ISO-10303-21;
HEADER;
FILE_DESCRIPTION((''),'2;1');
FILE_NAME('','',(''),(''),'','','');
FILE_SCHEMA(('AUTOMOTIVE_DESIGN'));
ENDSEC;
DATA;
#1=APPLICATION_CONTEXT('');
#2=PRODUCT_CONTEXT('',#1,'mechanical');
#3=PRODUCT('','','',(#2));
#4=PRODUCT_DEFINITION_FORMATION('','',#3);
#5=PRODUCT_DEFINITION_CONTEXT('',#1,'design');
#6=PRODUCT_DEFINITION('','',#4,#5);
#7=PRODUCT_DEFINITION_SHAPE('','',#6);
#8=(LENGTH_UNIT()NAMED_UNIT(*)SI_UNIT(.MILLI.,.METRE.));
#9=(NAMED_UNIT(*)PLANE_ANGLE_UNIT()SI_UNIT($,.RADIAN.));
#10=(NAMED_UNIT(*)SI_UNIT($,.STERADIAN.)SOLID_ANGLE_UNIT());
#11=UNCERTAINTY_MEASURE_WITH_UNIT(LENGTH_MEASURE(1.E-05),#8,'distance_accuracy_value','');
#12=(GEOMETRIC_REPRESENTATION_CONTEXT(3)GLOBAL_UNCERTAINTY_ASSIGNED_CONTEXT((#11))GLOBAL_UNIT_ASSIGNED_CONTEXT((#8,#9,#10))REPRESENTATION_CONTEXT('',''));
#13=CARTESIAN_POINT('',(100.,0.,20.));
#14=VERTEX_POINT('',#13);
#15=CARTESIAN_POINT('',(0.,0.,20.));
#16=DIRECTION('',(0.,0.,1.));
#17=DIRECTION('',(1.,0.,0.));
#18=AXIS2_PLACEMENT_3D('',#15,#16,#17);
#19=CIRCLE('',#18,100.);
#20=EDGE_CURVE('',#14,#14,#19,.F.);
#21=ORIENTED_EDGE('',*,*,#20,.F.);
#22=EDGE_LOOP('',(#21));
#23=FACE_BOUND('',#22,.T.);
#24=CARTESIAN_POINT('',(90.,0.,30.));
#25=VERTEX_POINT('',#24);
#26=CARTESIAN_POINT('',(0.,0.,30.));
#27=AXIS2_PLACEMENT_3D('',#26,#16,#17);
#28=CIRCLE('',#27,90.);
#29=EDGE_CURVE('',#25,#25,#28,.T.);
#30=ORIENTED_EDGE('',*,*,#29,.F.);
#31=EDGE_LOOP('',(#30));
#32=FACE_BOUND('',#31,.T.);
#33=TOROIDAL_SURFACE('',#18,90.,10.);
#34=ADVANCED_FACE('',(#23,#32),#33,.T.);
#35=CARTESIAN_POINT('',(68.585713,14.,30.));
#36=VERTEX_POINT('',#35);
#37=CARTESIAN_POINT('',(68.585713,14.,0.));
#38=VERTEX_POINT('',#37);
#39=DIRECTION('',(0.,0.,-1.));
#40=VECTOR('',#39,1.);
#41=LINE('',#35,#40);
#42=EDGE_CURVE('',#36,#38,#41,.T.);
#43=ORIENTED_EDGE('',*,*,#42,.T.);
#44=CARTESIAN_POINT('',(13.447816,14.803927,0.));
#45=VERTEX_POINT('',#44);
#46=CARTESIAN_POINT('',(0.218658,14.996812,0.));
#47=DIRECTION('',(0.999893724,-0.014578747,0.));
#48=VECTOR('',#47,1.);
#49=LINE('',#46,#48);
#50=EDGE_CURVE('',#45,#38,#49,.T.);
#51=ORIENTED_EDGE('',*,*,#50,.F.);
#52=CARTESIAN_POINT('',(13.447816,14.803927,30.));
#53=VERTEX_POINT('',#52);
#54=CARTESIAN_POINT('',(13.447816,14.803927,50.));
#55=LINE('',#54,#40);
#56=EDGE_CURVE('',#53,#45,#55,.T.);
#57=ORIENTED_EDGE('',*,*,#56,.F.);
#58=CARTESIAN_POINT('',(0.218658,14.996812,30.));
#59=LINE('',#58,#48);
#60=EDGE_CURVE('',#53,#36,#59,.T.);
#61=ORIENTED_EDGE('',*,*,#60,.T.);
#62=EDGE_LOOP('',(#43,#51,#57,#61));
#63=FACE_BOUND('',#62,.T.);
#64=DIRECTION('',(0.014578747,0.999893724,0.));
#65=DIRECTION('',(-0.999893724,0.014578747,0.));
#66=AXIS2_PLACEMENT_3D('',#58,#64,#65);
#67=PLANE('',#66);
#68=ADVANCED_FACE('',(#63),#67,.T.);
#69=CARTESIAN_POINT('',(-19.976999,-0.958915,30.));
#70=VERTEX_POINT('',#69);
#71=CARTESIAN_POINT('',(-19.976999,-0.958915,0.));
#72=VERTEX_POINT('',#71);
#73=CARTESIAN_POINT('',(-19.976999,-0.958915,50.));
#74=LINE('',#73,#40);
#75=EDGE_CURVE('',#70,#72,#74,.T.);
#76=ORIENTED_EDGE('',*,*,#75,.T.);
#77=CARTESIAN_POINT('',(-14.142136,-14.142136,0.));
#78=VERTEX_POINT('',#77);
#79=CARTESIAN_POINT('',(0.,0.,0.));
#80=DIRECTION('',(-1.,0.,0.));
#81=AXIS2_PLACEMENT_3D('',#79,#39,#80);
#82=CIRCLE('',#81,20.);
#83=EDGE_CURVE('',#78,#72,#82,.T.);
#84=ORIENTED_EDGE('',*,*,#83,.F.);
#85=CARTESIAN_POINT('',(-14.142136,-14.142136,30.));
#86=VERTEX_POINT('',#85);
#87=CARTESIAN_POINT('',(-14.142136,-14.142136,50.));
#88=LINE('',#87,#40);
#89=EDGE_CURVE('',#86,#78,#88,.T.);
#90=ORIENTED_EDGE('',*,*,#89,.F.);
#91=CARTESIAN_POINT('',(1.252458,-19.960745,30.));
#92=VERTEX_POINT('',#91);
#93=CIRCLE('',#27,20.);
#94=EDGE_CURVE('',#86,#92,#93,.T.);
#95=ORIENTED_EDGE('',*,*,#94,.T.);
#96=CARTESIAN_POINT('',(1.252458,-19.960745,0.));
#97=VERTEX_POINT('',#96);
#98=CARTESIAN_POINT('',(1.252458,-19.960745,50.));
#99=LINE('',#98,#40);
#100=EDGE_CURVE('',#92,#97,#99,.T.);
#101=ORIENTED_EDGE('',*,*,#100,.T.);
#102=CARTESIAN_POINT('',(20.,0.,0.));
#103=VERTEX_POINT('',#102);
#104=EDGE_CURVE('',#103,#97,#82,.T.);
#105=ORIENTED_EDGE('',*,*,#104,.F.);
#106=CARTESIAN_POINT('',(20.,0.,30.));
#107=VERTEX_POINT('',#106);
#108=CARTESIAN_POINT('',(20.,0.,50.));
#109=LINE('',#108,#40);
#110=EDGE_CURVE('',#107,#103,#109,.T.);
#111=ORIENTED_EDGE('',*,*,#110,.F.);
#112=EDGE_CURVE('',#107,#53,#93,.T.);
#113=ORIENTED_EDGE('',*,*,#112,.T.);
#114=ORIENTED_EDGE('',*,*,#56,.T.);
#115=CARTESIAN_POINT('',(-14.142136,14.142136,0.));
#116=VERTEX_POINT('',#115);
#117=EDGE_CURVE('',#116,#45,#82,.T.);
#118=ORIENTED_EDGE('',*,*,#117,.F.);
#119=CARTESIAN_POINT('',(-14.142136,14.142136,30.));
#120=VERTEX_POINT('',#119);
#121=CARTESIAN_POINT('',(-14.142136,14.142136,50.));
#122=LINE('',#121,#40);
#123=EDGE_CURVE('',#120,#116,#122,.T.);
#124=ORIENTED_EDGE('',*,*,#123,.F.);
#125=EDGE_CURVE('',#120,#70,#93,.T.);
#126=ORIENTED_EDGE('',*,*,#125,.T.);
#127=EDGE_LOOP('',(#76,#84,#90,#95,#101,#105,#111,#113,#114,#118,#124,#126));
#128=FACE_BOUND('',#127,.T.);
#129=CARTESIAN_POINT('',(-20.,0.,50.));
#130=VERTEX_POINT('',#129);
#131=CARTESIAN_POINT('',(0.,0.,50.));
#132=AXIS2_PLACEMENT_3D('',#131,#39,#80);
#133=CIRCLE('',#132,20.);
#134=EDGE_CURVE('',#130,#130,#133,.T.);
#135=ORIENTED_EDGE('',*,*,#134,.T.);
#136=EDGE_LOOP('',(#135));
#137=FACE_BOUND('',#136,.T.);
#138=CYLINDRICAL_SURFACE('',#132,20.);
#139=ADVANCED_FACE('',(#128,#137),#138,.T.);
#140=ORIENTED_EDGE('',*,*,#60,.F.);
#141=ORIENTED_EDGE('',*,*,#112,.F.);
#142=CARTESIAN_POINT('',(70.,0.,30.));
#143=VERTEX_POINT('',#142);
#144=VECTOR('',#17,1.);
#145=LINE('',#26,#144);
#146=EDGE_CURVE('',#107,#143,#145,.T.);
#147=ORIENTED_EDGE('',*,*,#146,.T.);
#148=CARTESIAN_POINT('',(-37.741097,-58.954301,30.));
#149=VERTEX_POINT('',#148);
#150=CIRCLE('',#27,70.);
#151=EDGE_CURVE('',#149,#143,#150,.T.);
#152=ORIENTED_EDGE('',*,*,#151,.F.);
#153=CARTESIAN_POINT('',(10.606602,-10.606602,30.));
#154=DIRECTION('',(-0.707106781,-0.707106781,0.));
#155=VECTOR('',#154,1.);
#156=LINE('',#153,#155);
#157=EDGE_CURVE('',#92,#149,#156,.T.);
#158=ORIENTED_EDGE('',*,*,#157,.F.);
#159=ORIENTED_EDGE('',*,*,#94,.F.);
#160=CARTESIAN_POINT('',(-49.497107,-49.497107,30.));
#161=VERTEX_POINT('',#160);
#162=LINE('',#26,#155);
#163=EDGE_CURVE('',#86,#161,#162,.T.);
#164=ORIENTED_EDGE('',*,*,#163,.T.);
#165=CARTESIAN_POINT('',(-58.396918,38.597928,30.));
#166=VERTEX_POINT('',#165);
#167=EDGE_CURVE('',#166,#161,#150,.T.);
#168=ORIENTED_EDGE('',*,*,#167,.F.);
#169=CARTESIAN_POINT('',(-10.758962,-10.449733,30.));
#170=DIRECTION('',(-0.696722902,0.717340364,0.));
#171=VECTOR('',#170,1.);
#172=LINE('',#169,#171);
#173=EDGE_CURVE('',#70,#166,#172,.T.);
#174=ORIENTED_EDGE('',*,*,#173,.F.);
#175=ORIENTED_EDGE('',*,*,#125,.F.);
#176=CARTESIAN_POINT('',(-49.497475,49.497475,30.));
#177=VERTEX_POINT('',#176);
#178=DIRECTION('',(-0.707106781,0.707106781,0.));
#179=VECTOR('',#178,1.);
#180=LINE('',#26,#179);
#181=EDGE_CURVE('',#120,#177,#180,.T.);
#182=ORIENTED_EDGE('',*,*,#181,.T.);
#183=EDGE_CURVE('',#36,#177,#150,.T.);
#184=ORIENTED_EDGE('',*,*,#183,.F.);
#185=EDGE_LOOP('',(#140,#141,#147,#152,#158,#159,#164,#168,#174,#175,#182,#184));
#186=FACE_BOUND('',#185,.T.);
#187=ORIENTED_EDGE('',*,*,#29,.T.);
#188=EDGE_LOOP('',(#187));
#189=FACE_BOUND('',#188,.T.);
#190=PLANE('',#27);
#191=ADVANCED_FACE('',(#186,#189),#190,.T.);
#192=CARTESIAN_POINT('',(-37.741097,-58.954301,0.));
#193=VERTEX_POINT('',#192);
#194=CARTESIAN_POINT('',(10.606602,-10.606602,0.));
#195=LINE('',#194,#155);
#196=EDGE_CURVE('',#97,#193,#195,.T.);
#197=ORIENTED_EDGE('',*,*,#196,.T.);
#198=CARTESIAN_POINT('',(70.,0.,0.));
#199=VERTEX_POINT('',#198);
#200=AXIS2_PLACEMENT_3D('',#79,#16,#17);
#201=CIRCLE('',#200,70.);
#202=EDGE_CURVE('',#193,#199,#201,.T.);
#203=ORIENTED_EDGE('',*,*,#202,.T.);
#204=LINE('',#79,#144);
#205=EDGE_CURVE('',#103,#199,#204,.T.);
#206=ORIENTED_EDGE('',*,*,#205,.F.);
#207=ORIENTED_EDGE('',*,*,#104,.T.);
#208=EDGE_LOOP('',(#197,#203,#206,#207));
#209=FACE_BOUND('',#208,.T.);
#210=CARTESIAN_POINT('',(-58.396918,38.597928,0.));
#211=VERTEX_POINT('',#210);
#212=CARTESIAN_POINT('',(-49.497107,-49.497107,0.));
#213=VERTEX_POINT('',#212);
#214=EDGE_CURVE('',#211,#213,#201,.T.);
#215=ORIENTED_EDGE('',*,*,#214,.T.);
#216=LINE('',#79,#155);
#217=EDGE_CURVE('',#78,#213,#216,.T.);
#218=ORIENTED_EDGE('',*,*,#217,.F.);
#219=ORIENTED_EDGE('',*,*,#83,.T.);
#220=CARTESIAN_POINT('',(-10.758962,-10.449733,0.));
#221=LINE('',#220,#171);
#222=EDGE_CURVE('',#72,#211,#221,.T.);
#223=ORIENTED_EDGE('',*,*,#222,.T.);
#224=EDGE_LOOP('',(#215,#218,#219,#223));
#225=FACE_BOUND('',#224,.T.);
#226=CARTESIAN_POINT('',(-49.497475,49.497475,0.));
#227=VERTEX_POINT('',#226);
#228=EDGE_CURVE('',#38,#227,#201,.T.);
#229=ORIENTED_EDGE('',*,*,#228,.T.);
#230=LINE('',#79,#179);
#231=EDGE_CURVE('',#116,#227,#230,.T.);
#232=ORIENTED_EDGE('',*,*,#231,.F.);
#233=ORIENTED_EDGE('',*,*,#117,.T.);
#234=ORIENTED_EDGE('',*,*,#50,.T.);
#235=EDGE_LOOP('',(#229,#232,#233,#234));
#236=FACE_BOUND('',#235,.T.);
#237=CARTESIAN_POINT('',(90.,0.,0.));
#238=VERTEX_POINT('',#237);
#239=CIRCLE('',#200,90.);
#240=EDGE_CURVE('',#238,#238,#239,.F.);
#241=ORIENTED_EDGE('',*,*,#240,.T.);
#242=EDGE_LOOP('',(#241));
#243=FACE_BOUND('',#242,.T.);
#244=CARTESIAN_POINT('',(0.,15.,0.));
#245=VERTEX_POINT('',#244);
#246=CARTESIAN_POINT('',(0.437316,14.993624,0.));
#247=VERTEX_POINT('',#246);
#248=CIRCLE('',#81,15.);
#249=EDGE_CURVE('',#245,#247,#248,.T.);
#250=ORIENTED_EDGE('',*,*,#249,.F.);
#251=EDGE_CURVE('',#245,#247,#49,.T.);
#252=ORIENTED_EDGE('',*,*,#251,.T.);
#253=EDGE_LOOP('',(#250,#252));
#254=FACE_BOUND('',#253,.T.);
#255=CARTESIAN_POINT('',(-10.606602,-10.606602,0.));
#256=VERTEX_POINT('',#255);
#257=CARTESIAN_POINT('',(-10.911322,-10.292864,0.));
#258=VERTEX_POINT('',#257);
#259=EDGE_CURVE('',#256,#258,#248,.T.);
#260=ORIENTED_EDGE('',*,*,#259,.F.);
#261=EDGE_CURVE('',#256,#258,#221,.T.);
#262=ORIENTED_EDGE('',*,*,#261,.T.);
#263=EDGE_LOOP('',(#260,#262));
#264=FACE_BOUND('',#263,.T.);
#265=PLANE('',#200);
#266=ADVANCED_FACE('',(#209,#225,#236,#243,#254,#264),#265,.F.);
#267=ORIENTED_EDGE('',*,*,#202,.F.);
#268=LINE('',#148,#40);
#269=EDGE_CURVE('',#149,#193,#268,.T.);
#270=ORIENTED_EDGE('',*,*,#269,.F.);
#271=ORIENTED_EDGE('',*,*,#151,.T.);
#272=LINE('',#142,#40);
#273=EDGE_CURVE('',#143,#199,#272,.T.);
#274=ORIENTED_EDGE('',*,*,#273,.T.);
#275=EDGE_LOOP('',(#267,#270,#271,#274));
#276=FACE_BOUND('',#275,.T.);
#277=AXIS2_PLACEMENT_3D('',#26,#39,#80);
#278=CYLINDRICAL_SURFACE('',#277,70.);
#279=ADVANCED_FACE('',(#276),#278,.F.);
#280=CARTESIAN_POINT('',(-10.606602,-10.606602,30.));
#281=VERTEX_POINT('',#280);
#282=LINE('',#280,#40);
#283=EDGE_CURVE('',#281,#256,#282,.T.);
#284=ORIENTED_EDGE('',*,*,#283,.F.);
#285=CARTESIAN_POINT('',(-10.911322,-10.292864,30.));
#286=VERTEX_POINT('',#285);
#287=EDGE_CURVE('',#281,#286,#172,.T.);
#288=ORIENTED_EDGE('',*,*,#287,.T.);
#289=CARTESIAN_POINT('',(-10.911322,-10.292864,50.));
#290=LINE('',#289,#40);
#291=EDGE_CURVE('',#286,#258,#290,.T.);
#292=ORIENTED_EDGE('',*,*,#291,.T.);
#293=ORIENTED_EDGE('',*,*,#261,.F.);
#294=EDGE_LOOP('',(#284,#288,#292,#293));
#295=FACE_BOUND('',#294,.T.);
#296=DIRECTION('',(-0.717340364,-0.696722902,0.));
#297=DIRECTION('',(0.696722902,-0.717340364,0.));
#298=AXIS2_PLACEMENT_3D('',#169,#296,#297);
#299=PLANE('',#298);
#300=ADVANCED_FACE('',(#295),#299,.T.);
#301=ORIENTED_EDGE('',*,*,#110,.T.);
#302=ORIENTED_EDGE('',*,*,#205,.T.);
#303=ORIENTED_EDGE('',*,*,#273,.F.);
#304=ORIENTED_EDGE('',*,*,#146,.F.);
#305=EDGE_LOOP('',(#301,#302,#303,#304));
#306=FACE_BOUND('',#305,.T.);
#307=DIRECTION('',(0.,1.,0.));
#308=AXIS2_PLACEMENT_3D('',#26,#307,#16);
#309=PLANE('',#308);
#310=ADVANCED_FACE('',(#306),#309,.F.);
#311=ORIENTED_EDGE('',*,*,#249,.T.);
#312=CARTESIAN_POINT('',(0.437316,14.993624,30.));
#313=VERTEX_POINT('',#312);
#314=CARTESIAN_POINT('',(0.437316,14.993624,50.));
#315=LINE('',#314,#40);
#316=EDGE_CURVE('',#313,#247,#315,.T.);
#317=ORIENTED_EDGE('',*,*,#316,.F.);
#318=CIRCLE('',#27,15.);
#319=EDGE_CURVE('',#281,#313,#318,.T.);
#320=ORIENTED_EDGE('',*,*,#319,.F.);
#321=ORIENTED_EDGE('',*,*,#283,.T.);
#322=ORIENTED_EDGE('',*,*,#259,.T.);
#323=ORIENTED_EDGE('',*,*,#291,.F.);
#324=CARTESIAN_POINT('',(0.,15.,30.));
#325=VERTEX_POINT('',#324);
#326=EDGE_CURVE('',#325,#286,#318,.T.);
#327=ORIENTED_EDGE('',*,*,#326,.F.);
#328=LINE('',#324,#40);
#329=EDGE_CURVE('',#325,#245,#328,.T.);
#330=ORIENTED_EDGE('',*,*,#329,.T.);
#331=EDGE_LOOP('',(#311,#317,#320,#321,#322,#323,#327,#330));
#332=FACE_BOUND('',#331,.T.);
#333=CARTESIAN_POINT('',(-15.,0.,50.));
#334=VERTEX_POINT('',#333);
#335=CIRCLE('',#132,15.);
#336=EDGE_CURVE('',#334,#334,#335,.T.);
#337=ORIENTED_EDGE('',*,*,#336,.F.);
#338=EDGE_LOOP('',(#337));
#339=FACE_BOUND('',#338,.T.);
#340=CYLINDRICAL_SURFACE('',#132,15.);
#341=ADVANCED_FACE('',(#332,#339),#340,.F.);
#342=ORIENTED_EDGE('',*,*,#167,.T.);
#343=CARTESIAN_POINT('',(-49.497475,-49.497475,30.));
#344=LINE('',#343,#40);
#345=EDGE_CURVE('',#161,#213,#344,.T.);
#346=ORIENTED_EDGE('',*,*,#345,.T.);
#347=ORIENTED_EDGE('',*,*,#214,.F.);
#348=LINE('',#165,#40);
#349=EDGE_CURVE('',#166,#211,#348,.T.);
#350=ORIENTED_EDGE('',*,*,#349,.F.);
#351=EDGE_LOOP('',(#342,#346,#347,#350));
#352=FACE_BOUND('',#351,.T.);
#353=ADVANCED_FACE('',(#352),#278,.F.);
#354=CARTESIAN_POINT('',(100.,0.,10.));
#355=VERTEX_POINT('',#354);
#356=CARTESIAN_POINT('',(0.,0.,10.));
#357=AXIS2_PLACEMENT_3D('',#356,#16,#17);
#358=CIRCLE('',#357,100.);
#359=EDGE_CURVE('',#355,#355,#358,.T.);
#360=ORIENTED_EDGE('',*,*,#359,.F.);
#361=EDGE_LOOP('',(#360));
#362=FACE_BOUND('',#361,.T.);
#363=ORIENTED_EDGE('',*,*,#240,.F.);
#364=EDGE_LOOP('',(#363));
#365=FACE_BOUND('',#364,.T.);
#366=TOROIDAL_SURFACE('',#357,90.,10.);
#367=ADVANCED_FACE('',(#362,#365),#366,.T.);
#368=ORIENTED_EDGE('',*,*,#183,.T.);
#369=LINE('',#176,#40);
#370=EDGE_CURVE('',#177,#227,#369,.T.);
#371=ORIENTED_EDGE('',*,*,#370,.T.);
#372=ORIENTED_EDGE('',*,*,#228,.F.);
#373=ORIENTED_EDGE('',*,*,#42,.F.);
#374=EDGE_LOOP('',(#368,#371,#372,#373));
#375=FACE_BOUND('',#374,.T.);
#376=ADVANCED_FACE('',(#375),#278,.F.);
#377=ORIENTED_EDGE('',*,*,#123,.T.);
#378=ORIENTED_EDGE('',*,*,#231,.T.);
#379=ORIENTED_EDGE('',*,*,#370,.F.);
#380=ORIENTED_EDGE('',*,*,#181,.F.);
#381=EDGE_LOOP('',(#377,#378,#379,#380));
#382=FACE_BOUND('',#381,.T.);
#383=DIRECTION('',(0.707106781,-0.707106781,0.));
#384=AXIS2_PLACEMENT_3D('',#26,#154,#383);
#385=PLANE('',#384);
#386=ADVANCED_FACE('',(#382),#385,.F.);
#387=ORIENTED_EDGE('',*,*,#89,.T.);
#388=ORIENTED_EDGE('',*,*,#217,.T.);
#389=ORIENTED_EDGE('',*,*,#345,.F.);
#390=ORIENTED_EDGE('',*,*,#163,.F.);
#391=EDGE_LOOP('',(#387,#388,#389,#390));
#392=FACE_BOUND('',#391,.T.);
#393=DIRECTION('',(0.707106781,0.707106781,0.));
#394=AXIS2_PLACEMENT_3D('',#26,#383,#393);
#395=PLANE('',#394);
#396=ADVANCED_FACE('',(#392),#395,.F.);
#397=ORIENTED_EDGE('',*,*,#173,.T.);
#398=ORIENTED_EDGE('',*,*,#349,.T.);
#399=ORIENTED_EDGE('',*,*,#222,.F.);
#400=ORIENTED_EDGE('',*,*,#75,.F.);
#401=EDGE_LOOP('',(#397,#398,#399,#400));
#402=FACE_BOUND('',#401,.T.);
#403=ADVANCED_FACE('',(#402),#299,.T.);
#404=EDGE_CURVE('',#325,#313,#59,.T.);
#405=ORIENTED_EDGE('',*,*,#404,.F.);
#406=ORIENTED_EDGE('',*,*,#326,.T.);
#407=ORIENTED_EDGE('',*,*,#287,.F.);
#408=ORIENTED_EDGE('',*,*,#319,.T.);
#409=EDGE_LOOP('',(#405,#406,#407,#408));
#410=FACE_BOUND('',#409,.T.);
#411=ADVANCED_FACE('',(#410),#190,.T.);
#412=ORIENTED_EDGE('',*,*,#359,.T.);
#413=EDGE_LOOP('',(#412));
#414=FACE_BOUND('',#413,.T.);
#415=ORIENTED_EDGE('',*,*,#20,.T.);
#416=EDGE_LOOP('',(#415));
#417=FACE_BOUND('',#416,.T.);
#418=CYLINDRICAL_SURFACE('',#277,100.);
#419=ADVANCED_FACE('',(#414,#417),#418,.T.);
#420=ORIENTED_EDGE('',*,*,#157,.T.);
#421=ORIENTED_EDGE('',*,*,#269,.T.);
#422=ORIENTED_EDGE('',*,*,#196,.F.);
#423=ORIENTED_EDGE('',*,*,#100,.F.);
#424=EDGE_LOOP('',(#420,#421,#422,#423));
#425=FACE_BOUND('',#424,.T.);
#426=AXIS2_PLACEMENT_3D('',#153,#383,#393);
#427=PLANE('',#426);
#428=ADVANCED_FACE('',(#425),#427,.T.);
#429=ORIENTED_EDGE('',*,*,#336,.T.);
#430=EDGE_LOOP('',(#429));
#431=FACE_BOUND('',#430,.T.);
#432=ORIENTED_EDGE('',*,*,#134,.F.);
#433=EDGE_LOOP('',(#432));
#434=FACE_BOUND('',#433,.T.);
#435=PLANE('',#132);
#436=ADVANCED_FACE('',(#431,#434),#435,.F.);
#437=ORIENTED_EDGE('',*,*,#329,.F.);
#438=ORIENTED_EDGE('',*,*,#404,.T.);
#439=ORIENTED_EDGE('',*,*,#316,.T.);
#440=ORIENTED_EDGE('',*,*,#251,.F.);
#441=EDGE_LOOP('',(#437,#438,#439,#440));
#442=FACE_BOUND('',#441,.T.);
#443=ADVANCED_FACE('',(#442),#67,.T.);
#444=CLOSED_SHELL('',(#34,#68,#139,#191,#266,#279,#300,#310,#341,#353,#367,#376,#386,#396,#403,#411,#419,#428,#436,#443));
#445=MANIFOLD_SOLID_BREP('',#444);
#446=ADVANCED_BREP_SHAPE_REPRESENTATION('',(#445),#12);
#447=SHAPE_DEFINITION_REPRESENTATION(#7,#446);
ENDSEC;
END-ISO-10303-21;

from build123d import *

# Parameters (mm, degrees)
SKETCH1_R           = 100
BOSS_EXTRUDE1_DEPTH = 30
FILLET2_R           = 10
SKETCH2_R           = 20
SKETCH2_R_2         = 15
BOSS_EXTRUDE2_DEPTH = 50


with BuildPart() as part:
    # Sketch1 → Boss-Extrude1 (new body)
    with BuildSketch(Plane.XY):
        Circle(SKETCH1_R)
        with BuildLine():
            Line((-10.606601718, -10.606601718), (-49.497474683, -49.497474683))
            ThreePointArc((-49.497474683, -49.497474683), (-69.64553071, -7.03562734), (-58.396917549, 38.597927675))
            Line((-58.396917549, 38.597927675), (-10.606601718, -10.606601718))
        make_face(mode=Mode.SUBTRACT)
        with BuildLine():
            ThreePointArc((10.606601718, -10.606601718), (13.858192988, -5.740251485), (15, 0))
            Line((15, 0), (70, 0))
            ThreePointArc((70, 0), (33.601511791, -61.407966954), (-37.741097297, -58.954300732))
            Line((-37.741097297, -58.954300732), (10.606601718, -10.606601718))
        make_face(mode=Mode.SUBTRACT)
        with BuildLine():
            ThreePointArc((0, 15), (-5.740251485, 13.858192988), (-10.606601718, 10.606601718))
            Line((-10.606601718, 10.606601718), (-49.497474683, 49.497474683))
            ThreePointArc((-49.497474683, 49.497474683), (20.152118643, 67.036498374), (68.585712798, 14))
            Line((68.585712798, 14), (0, 15))
        make_face(mode=Mode.SUBTRACT)
    extrude(amount=BOSS_EXTRUDE1_DEPTH)

    # Fillet2
    fillet2_edges = [part.edges().sort_by_distance(p)[0] for p in [
        (-100, 0, 0),
        (-100, 0, 30),
    ]]
    fillet(fillet2_edges, radius=FILLET2_R)

    # Sketch2 → Boss-Extrude2 (add)
    with BuildSketch(Plane(origin=(0, 0, 0), x_dir=(-1, 0, 0), z_dir=(0, 0, -1))):
        Circle(SKETCH2_R)
        Circle(SKETCH2_R_2, mode=Mode.SUBTRACT)
    extrude(amount=-BOSS_EXTRUDE2_DEPTH)


solid = part.part
